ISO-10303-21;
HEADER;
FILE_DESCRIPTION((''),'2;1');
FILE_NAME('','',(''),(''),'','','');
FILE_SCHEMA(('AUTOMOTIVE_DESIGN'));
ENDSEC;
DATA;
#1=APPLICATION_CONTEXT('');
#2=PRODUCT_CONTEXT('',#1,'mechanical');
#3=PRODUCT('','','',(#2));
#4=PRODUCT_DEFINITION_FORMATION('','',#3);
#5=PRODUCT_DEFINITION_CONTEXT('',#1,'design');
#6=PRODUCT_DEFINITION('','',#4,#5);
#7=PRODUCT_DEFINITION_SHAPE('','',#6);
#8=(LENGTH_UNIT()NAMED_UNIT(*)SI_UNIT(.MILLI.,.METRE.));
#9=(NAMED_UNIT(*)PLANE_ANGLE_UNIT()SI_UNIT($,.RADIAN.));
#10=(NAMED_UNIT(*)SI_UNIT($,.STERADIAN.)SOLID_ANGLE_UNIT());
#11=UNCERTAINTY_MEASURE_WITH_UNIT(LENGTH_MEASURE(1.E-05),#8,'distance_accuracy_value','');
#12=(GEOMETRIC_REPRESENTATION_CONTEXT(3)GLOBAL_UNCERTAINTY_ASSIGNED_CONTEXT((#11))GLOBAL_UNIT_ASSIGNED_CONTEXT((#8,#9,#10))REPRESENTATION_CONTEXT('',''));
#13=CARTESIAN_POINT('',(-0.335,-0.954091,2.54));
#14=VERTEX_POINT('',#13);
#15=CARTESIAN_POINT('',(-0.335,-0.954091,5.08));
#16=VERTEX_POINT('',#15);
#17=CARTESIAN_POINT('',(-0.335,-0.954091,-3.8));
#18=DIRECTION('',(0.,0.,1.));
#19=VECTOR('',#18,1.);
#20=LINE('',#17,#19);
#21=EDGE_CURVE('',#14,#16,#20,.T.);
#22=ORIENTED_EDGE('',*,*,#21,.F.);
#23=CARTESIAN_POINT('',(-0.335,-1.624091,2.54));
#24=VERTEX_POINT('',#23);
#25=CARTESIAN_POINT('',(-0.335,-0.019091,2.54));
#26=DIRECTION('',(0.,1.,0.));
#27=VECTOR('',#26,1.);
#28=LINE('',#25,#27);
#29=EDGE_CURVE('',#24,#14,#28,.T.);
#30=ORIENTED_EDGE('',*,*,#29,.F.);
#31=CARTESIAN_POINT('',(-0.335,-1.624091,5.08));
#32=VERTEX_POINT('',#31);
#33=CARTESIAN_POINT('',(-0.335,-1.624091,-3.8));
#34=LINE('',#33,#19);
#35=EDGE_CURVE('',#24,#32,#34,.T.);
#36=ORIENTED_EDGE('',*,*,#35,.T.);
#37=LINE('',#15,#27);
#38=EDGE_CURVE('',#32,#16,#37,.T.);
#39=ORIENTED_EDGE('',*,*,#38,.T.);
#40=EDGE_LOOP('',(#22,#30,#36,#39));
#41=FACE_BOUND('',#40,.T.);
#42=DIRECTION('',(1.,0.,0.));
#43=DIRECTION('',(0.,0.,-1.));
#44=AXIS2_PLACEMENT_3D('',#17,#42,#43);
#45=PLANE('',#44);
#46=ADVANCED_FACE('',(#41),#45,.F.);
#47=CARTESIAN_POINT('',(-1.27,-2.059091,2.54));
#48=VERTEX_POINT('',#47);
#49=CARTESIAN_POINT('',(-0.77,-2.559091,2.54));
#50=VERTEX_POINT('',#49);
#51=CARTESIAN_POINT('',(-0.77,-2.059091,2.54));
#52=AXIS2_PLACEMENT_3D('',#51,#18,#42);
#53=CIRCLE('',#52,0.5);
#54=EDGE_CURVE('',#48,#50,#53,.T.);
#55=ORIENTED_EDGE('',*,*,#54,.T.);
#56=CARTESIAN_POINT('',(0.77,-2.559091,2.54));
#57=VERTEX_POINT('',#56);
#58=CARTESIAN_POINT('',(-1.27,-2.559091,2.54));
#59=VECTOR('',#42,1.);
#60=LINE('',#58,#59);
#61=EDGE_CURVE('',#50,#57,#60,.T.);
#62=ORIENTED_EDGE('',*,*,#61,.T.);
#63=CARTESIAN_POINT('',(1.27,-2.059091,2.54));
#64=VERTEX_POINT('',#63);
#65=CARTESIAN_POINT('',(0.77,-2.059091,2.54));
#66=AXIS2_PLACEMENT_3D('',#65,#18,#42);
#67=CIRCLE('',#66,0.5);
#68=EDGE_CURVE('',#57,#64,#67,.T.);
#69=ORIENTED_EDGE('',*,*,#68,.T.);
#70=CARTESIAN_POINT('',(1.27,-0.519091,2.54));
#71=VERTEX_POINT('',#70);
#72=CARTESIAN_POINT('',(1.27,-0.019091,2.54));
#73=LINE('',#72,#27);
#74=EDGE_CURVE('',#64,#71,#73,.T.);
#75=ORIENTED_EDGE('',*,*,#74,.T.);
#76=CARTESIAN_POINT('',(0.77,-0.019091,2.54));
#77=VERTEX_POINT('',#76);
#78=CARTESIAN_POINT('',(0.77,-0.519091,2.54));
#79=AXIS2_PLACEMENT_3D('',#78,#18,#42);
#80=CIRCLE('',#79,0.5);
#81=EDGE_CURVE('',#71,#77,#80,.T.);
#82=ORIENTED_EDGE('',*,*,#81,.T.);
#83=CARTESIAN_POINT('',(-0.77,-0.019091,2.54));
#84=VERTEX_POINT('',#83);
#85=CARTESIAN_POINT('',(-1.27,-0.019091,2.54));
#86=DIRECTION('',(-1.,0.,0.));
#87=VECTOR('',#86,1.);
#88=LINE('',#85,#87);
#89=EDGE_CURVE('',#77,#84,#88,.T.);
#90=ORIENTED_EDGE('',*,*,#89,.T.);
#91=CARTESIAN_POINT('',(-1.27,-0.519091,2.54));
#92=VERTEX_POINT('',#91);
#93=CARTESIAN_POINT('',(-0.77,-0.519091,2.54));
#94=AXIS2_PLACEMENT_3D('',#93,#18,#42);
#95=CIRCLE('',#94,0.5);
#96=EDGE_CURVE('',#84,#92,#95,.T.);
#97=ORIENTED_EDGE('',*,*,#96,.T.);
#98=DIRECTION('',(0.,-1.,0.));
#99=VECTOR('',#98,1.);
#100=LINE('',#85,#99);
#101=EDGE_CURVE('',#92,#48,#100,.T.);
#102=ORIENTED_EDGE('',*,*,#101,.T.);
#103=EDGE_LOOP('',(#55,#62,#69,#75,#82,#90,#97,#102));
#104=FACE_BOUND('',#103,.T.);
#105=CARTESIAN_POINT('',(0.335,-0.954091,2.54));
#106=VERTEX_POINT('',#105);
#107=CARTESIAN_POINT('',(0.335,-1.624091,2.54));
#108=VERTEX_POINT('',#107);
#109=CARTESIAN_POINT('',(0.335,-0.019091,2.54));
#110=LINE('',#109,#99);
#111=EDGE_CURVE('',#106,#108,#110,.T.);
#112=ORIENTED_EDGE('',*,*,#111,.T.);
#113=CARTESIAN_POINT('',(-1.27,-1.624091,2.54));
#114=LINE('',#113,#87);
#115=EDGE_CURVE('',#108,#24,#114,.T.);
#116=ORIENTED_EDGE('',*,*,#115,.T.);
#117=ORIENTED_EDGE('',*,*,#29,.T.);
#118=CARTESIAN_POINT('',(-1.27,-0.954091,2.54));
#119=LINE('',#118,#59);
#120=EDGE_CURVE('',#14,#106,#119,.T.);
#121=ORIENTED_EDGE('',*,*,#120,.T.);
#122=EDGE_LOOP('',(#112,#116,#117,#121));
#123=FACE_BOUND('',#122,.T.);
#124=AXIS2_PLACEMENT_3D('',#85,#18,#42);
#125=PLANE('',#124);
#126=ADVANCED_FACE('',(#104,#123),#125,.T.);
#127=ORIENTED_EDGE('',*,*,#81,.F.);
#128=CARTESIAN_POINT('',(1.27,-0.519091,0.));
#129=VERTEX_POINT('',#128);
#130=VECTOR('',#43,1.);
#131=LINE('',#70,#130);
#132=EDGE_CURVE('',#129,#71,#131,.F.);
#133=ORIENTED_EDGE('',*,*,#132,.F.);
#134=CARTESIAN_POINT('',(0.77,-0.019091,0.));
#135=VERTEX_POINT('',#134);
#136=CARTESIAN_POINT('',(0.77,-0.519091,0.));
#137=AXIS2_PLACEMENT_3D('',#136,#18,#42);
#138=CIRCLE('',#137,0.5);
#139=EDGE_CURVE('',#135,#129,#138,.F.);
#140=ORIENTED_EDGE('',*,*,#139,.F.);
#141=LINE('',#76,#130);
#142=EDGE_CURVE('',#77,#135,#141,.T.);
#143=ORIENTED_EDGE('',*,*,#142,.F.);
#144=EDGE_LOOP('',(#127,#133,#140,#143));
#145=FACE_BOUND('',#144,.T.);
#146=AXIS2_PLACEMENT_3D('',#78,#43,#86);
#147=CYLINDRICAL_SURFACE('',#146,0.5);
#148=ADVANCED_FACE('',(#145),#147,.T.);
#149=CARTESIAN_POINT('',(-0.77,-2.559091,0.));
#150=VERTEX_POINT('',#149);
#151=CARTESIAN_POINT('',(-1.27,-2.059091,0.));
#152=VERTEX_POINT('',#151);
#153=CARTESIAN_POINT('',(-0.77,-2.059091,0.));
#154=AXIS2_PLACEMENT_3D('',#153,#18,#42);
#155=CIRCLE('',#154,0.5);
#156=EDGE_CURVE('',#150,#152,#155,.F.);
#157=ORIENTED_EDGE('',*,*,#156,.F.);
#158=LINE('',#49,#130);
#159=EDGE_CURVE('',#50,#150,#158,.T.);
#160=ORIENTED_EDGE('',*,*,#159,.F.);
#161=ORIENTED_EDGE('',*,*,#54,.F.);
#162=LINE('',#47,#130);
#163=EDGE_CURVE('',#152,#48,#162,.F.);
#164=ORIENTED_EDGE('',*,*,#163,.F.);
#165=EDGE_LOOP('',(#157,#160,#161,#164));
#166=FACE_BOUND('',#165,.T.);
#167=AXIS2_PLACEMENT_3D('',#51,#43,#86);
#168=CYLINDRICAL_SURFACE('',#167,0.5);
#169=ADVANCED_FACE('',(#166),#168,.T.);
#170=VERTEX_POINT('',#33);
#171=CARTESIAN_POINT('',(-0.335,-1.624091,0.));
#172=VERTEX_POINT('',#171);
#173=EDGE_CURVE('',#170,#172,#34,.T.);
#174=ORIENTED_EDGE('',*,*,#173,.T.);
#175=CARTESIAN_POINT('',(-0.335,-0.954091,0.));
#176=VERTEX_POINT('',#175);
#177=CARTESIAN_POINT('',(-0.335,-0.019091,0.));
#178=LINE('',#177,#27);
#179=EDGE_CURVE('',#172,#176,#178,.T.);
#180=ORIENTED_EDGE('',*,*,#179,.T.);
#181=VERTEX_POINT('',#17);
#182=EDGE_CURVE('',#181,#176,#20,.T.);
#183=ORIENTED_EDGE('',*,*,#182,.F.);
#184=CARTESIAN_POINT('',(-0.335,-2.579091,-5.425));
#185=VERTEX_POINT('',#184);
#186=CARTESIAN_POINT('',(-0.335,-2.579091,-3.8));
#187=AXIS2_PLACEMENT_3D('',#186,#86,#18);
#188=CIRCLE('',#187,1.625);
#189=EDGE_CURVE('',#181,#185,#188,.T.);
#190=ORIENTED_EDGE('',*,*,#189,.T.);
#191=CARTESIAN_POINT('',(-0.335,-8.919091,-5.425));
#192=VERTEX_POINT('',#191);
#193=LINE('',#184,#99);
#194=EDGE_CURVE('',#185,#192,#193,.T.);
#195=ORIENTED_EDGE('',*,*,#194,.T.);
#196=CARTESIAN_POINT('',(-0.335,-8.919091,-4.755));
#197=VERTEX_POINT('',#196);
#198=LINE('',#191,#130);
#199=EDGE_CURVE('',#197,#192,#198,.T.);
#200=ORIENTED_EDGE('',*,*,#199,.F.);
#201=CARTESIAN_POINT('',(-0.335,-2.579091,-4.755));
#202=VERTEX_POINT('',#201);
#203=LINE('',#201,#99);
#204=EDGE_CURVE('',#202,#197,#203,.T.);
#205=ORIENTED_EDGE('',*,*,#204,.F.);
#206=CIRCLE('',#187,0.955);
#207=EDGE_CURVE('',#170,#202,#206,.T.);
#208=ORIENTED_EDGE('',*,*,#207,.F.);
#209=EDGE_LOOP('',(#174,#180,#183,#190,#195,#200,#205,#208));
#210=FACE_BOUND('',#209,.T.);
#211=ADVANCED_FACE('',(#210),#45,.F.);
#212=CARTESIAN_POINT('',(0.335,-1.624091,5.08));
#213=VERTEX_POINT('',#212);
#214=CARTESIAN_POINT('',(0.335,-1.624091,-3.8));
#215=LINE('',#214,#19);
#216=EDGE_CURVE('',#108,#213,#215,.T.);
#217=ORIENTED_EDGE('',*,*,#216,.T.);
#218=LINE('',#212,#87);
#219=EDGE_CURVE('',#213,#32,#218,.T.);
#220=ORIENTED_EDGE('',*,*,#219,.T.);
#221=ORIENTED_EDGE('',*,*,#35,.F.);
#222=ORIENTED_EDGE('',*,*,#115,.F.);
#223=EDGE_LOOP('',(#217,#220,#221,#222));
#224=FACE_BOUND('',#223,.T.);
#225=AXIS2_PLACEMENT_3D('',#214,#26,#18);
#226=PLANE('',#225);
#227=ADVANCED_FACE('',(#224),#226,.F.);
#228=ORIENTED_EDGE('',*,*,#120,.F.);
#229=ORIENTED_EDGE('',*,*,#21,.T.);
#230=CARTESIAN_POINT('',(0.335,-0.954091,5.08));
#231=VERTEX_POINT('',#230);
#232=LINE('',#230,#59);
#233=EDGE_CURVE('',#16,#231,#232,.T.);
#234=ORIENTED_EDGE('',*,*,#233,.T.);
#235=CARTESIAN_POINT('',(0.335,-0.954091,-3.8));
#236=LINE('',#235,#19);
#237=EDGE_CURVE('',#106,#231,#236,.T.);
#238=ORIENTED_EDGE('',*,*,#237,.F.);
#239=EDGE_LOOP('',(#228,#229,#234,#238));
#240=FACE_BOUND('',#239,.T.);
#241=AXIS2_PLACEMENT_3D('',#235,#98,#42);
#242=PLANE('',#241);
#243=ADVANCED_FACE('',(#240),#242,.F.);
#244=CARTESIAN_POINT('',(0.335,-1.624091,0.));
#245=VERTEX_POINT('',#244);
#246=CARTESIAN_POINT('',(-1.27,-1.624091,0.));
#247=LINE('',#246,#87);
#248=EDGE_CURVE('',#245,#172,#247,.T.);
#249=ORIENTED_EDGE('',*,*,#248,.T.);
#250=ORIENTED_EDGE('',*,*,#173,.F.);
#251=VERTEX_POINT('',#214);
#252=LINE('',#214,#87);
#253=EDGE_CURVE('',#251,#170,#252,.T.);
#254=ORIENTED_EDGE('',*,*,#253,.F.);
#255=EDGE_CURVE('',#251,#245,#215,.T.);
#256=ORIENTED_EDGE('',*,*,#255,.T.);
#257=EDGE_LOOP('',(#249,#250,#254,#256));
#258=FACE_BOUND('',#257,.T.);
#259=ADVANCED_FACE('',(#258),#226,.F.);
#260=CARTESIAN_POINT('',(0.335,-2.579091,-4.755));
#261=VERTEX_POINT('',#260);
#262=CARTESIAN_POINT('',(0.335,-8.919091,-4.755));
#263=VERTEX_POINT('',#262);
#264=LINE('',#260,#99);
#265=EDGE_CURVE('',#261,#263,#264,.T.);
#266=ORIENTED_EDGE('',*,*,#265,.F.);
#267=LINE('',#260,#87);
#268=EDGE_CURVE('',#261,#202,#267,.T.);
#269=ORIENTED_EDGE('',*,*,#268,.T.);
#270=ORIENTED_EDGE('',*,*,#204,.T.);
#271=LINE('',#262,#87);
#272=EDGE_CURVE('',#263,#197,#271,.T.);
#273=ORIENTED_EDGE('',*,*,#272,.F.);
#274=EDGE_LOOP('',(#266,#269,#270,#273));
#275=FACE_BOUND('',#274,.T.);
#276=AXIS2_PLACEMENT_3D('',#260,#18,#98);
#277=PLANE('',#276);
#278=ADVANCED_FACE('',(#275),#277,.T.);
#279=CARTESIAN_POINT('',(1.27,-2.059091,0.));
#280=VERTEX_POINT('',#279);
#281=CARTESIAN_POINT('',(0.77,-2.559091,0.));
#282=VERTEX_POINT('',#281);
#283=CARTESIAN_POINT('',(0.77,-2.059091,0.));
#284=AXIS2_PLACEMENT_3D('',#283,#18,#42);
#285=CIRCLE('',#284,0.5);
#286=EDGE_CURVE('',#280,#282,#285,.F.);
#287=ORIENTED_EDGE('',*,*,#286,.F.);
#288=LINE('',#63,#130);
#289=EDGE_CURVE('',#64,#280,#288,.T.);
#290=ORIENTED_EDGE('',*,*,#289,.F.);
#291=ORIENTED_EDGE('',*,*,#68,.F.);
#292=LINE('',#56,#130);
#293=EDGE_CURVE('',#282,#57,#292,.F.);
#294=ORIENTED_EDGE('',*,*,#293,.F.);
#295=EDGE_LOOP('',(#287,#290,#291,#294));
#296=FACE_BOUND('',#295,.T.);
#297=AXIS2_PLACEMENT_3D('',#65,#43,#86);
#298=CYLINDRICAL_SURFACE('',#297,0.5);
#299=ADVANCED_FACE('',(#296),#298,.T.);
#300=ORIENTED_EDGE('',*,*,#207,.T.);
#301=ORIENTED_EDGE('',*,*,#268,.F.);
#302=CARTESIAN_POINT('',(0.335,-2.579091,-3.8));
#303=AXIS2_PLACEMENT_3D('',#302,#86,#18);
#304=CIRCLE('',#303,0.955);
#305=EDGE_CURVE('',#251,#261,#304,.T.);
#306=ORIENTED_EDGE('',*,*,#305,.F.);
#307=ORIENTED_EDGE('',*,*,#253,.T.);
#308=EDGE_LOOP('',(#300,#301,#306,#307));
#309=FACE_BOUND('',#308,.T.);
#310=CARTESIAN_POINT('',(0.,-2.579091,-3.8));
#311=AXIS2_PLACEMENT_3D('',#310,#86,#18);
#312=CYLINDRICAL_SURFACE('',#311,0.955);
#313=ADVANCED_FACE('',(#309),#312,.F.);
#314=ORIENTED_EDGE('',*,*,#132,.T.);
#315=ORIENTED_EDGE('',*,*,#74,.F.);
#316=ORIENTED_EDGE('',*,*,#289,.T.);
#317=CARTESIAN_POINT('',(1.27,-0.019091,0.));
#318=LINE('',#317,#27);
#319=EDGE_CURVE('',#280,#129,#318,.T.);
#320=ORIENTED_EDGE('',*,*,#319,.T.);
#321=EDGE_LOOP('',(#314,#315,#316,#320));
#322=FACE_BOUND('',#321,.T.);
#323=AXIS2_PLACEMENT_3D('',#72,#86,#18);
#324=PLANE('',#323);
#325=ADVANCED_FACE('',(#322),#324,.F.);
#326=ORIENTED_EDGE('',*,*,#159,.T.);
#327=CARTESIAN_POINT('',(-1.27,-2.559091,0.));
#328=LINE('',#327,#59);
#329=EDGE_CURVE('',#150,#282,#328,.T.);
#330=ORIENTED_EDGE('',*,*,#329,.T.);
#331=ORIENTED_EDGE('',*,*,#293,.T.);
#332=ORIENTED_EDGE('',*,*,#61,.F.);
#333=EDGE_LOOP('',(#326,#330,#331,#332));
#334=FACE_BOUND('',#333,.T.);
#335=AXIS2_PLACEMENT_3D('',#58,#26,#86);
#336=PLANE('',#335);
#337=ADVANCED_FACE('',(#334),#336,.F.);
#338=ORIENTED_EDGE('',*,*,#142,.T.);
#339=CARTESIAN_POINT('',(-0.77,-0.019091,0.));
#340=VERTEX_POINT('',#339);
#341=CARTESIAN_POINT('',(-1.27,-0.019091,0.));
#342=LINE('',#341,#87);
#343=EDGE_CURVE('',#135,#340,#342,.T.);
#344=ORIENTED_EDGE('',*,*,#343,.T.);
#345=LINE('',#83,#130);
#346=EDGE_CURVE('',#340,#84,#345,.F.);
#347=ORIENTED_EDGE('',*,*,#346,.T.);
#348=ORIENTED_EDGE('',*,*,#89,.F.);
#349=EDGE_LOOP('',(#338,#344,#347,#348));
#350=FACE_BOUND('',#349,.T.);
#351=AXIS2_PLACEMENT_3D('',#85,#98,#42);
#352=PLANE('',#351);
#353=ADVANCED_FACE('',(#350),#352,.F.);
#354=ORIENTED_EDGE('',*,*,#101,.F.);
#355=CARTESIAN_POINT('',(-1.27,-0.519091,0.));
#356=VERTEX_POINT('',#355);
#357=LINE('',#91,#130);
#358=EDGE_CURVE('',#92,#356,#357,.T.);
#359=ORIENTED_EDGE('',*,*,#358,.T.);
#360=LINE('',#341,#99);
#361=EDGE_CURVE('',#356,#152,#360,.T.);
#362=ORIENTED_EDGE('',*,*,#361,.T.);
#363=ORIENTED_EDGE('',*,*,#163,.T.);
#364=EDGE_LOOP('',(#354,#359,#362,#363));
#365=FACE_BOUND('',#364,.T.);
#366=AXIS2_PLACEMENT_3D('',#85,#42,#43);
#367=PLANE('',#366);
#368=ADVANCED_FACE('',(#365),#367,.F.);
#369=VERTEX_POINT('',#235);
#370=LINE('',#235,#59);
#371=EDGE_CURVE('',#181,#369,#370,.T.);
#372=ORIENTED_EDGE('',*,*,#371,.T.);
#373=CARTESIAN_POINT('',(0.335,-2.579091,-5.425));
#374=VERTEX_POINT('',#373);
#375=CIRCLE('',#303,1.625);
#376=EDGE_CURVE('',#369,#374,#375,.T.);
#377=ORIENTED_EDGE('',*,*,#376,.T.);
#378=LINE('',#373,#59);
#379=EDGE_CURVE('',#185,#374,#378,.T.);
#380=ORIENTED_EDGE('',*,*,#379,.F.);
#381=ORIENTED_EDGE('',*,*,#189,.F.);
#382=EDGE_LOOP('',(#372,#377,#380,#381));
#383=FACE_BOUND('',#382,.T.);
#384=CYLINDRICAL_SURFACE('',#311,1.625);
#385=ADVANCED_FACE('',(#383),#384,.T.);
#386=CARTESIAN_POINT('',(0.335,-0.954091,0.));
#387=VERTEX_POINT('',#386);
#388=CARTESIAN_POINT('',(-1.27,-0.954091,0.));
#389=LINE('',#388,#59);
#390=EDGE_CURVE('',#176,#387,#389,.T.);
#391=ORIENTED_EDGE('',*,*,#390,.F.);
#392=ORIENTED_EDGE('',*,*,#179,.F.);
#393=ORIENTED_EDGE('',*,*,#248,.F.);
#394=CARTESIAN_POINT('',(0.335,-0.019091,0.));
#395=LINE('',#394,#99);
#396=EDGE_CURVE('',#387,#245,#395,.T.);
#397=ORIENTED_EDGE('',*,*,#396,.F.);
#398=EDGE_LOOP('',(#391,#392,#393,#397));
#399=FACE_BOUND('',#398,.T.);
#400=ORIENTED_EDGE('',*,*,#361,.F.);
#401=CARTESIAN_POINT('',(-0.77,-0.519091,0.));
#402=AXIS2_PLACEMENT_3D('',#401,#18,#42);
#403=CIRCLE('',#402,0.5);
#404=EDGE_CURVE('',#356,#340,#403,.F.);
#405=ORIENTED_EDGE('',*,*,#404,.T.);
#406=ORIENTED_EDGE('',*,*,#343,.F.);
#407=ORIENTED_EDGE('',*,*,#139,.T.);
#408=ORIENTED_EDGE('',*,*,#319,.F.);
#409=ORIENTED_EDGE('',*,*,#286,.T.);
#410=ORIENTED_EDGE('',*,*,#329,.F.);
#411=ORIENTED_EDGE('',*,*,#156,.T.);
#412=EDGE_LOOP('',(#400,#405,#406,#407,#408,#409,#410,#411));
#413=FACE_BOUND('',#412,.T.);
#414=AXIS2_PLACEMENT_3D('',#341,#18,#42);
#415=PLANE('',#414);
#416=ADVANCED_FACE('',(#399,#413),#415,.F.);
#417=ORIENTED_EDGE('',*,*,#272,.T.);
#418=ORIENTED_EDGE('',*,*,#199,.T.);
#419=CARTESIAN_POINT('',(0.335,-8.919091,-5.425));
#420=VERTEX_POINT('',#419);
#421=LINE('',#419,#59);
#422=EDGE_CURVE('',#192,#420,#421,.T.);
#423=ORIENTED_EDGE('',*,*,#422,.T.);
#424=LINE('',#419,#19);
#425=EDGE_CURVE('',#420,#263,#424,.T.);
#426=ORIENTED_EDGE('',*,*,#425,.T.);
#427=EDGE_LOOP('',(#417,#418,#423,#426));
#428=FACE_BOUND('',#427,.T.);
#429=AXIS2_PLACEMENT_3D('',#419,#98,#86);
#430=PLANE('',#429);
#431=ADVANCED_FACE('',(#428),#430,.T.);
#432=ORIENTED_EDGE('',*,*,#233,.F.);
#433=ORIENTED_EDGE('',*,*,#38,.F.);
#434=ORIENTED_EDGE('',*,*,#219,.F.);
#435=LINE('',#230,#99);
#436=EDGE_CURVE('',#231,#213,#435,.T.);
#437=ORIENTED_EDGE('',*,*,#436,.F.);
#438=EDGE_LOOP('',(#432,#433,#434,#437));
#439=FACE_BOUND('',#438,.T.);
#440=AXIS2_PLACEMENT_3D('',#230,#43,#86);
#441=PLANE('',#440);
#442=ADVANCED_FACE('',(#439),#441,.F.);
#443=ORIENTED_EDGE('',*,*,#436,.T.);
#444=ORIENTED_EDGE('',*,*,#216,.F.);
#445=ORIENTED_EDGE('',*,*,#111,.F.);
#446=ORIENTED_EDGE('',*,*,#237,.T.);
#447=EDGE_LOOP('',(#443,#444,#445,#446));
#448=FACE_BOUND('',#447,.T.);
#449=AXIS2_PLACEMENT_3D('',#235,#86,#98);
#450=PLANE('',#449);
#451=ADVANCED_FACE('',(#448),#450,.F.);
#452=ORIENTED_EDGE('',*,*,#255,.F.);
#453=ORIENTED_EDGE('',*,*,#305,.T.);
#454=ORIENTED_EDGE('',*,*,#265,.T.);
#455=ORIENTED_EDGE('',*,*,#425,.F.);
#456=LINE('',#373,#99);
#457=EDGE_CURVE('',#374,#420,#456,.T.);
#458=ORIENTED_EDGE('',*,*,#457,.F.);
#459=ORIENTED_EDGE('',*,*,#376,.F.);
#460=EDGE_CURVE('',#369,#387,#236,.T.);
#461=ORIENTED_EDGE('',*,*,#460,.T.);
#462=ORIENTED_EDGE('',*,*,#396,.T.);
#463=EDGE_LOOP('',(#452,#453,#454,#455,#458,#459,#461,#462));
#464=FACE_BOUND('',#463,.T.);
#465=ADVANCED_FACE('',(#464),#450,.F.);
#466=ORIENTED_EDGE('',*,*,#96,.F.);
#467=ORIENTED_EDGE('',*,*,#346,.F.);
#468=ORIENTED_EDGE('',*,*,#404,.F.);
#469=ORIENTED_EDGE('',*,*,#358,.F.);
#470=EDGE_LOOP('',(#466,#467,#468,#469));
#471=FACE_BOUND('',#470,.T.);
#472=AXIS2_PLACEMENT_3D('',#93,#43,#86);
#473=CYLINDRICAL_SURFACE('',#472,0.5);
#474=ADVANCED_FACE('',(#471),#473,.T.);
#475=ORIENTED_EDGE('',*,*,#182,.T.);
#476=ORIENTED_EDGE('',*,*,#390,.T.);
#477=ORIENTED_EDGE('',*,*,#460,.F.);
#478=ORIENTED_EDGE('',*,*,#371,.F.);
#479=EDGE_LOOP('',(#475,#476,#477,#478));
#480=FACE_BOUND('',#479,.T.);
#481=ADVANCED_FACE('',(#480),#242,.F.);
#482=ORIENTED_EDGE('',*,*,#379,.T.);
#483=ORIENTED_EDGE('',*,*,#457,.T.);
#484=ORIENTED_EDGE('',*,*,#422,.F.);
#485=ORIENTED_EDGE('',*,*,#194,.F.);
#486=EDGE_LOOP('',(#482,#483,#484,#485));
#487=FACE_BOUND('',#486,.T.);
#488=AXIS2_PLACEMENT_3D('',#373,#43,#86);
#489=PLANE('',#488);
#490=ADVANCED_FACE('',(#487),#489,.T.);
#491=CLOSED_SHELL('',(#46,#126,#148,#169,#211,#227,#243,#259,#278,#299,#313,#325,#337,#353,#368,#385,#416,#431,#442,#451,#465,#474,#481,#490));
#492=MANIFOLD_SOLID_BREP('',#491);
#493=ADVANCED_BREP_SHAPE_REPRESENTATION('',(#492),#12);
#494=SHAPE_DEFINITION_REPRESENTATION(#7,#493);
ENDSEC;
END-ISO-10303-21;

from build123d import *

# Parameters (mm, degrees)
SKETCH_1_W      = 2.54
SKETCH_1_H      = 2.54
EXTRUDE_1_DEPTH = 2.54
SKETCH_2_W      = 0.67
SKETCH_2_H      = 0.67
FILLET_1_R      = 0.5


with BuildPart() as part:
    # 草图1 → 拉伸1 (new body)
    with BuildSketch(Plane.XY):
        with Locations((0, -1.289090726)):
            Rectangle(SKETCH_1_W, SKETCH_1_H)
    extrude(amount=EXTRUDE_1_DEPTH)

    # 扫描1: sweep along a path in 草图3
    with BuildLine(Plane(origin=(0, 0, 0), x_dir=(0, 0, -1), z_dir=(1, 0, 0))) as sweep_1_path:
        Line((-5.08, -1.299090726), (3.8, -1.299090726))
        ThreePointArc((3.8, -1.299090726), (4.70509668, -1.673994046), (5.08, -2.579090726))
        Line((5.08, -2.579090726), (5.08, -8.919090726))
    # 草图2 → 扫描1 (sweep)
    with BuildSketch(Plane(origin=(0, 0, 5.08), x_dir=(-1, 0, 0), z_dir=(0, 0, -1))):
        with Locations((0, -1.289090726)):
            Rectangle(SKETCH_2_W, SKETCH_2_H)
    sweep(path=sweep_1_path.line)

    # 圆角1
    fillet_1_edges = [part.edges().sort_by_distance(p)[0] for p in [
        (-1.27, -0.019090726, 1.27),
        (1.27, -0.019090726, 1.27),
        (1.27, -2.559090726, 1.27),
        (-1.27, -2.559090726, 1.27),
    ]]
    fillet(fillet_1_edges, radius=FILLET_1_R)


solid = part.part
